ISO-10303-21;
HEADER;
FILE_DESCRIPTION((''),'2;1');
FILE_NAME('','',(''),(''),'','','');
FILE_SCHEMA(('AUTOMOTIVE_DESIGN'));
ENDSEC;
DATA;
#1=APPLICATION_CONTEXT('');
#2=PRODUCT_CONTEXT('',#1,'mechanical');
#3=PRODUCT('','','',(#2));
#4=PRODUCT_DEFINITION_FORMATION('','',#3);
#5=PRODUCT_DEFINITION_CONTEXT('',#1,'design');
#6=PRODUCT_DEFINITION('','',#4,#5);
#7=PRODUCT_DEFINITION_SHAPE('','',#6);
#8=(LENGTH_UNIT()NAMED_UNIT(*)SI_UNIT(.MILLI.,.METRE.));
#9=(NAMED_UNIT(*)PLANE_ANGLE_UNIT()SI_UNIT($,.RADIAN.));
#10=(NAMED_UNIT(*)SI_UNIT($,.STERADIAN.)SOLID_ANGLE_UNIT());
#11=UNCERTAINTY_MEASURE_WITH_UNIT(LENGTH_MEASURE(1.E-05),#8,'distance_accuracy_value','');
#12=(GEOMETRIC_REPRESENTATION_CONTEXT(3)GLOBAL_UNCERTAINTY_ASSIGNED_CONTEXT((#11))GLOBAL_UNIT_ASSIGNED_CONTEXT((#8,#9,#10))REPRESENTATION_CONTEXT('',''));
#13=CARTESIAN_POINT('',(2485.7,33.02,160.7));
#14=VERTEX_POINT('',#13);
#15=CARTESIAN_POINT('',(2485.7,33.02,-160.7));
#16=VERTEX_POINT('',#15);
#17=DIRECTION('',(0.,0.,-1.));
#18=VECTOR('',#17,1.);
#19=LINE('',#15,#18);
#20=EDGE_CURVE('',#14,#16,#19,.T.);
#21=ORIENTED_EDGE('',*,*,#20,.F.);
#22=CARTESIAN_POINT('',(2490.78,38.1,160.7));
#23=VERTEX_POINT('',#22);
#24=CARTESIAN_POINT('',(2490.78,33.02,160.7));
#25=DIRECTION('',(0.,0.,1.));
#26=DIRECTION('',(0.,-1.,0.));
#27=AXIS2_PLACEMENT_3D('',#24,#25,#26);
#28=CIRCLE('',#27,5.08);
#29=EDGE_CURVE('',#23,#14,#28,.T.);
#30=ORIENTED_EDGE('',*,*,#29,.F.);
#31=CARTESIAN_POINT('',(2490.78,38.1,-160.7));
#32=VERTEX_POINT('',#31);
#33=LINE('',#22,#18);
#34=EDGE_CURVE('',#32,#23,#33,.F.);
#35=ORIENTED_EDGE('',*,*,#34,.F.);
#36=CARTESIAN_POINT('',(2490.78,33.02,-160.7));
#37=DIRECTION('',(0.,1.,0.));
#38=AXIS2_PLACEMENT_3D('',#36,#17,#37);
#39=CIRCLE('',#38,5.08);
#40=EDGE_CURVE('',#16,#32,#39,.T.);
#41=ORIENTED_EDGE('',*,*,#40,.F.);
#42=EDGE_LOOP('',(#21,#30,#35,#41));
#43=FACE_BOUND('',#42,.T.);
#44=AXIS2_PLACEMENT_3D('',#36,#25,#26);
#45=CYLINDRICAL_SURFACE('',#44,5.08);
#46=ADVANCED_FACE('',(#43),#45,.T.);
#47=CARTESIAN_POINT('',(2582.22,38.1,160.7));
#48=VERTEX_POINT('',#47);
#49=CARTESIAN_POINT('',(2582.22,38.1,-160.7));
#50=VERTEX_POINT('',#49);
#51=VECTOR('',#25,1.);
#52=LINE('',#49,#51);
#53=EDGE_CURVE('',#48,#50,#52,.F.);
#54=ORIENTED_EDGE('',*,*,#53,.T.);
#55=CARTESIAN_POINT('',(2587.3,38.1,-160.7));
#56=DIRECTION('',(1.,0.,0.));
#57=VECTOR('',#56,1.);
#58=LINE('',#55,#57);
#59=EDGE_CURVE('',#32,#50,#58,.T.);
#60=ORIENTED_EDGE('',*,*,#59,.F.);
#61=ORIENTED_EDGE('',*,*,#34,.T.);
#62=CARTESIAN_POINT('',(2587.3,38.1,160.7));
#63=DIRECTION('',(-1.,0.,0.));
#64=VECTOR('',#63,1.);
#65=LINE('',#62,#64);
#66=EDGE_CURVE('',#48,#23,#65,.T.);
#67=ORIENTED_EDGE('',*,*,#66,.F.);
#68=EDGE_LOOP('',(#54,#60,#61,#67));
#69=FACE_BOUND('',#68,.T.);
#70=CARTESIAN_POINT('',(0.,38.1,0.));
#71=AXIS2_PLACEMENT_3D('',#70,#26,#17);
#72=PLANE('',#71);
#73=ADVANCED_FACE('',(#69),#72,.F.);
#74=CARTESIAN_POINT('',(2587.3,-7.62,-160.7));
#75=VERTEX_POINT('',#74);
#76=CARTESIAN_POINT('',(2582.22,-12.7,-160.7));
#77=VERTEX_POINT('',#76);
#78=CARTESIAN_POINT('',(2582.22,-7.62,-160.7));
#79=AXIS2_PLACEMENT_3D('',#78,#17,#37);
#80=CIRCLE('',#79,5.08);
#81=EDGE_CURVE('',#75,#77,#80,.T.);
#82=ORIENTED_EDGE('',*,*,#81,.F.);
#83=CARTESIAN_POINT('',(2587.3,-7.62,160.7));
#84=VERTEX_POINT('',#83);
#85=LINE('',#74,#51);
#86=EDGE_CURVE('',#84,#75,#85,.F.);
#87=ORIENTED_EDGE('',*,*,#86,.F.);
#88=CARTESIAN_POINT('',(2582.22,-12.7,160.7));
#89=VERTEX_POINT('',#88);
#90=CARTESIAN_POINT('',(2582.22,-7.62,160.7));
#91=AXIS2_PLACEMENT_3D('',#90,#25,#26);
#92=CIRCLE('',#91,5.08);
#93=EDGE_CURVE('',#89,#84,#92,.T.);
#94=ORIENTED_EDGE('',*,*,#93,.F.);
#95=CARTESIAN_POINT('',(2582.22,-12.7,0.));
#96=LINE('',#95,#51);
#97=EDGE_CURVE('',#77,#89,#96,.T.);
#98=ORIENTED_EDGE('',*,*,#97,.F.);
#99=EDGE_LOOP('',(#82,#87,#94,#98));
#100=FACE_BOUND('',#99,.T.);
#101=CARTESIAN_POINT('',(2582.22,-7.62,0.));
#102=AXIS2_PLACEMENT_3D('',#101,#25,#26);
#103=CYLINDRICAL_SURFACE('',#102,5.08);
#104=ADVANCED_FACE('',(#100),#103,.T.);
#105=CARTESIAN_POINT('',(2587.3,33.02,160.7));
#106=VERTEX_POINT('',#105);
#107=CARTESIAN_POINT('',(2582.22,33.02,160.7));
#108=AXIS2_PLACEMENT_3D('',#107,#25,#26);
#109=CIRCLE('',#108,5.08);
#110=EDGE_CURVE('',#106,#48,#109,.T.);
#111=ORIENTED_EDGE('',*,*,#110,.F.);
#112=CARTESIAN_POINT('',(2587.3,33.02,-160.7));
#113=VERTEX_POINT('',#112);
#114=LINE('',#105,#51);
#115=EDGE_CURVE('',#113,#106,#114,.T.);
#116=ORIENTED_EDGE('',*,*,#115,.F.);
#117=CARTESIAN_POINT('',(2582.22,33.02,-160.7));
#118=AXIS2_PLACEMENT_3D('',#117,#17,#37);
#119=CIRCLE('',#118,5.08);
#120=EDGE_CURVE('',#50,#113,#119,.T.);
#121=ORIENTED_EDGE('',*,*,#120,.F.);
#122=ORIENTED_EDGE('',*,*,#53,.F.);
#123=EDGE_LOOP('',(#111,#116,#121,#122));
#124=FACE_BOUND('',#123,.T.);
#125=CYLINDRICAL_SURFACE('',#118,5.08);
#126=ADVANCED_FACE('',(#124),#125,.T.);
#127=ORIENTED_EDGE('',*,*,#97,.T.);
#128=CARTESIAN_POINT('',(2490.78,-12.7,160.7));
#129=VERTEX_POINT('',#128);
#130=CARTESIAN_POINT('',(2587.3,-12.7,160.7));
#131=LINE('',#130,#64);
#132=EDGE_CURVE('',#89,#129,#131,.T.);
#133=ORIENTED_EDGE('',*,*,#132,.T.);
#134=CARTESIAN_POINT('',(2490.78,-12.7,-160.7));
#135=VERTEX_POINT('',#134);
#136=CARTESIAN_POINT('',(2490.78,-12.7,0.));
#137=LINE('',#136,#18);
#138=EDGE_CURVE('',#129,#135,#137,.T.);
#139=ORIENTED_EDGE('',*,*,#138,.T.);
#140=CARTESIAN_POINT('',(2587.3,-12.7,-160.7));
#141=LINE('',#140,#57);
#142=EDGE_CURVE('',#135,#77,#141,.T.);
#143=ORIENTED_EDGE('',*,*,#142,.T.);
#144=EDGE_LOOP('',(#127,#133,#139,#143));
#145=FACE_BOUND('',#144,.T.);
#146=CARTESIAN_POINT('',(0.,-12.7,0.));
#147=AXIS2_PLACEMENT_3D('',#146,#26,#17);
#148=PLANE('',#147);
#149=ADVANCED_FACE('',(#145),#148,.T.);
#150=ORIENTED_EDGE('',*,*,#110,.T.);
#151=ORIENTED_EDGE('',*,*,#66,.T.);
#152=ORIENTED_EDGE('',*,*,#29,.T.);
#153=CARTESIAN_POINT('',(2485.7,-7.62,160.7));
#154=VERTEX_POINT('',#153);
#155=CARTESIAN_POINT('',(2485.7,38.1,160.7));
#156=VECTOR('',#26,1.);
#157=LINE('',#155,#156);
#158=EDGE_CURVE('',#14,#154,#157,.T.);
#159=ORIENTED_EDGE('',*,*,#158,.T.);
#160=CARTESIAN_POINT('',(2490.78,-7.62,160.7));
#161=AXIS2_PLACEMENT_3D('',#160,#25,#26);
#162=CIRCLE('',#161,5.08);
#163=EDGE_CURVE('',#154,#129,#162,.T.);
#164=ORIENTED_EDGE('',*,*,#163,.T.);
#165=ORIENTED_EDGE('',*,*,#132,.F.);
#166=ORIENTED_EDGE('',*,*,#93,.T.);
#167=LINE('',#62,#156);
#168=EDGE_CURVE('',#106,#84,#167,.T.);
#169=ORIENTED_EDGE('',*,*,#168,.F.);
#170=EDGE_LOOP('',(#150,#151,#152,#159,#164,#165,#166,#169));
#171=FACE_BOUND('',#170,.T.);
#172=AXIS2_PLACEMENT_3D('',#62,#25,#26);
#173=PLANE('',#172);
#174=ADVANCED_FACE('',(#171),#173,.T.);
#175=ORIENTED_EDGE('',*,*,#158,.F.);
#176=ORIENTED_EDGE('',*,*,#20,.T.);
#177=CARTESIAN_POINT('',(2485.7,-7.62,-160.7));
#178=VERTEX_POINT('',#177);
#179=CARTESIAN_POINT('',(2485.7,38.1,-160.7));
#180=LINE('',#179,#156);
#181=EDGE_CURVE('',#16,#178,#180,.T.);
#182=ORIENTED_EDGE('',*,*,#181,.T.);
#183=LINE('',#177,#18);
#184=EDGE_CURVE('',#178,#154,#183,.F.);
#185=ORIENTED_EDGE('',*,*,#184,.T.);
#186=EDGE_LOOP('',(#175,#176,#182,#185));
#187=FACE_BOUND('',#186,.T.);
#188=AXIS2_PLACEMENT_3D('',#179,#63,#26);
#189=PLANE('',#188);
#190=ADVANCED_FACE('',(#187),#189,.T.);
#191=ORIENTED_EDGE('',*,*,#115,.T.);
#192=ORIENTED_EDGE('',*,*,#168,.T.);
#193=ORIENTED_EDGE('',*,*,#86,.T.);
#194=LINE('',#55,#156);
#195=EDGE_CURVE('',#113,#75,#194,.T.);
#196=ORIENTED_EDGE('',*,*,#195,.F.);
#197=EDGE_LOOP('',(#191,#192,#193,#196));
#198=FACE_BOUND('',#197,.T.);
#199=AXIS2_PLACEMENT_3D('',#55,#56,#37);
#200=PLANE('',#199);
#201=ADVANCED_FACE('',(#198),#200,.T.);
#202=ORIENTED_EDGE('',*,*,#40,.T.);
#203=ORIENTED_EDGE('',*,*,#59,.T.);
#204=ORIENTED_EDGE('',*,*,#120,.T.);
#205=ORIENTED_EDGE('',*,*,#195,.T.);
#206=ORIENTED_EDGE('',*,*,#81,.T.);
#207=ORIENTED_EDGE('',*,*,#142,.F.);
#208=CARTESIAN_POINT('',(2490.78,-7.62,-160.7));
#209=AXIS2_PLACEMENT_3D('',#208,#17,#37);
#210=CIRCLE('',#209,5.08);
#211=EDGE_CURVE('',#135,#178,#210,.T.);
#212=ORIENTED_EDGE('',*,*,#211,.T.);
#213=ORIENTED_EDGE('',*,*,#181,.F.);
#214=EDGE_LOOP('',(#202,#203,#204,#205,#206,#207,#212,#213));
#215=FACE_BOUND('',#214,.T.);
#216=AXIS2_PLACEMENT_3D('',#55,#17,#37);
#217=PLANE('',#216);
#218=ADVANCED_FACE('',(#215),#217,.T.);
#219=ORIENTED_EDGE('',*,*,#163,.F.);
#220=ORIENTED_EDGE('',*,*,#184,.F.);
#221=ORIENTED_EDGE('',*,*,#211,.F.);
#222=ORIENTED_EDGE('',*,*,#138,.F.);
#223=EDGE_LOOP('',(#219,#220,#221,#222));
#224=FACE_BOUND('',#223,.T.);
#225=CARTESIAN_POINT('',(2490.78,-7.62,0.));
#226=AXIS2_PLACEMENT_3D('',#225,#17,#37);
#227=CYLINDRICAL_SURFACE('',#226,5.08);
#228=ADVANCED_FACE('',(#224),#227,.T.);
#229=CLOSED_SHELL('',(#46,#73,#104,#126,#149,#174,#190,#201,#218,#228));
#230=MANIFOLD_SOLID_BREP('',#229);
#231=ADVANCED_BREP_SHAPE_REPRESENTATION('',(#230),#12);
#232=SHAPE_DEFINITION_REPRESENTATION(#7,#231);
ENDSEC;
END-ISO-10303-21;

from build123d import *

# Parameters (mm, degrees)
SKETCH1_W           = 101.6
SKETCH1_H           = 321.4
BOSS_EXTRUDE1_DEPTH = 50.8
FILLET1_R           = 5.08


with BuildPart() as part:
    # Sketch1 → Boss-Extrude1 (new body)
    with BuildSketch(Plane(origin=(0, -12.7, 0), x_dir=(-1, 0, 0), z_dir=(0, -1, 0))):
        with Locations((-2536.5, 0)):
            Rectangle(SKETCH1_W, SKETCH1_H)
    extrude(amount=-BOSS_EXTRUDE1_DEPTH)

    # Fillet1
    fillet1_edges = [part.edges().sort_by_distance(p)[0] for p in [
        (2485.7, 38.1, 0),
        (2587.3, 38.1, 0),
        (2485.7, -12.7, 0),
        (2587.3, -12.7, 0),
    ]]
    fillet(fillet1_edges, radius=FILLET1_R)


solid = part.part
